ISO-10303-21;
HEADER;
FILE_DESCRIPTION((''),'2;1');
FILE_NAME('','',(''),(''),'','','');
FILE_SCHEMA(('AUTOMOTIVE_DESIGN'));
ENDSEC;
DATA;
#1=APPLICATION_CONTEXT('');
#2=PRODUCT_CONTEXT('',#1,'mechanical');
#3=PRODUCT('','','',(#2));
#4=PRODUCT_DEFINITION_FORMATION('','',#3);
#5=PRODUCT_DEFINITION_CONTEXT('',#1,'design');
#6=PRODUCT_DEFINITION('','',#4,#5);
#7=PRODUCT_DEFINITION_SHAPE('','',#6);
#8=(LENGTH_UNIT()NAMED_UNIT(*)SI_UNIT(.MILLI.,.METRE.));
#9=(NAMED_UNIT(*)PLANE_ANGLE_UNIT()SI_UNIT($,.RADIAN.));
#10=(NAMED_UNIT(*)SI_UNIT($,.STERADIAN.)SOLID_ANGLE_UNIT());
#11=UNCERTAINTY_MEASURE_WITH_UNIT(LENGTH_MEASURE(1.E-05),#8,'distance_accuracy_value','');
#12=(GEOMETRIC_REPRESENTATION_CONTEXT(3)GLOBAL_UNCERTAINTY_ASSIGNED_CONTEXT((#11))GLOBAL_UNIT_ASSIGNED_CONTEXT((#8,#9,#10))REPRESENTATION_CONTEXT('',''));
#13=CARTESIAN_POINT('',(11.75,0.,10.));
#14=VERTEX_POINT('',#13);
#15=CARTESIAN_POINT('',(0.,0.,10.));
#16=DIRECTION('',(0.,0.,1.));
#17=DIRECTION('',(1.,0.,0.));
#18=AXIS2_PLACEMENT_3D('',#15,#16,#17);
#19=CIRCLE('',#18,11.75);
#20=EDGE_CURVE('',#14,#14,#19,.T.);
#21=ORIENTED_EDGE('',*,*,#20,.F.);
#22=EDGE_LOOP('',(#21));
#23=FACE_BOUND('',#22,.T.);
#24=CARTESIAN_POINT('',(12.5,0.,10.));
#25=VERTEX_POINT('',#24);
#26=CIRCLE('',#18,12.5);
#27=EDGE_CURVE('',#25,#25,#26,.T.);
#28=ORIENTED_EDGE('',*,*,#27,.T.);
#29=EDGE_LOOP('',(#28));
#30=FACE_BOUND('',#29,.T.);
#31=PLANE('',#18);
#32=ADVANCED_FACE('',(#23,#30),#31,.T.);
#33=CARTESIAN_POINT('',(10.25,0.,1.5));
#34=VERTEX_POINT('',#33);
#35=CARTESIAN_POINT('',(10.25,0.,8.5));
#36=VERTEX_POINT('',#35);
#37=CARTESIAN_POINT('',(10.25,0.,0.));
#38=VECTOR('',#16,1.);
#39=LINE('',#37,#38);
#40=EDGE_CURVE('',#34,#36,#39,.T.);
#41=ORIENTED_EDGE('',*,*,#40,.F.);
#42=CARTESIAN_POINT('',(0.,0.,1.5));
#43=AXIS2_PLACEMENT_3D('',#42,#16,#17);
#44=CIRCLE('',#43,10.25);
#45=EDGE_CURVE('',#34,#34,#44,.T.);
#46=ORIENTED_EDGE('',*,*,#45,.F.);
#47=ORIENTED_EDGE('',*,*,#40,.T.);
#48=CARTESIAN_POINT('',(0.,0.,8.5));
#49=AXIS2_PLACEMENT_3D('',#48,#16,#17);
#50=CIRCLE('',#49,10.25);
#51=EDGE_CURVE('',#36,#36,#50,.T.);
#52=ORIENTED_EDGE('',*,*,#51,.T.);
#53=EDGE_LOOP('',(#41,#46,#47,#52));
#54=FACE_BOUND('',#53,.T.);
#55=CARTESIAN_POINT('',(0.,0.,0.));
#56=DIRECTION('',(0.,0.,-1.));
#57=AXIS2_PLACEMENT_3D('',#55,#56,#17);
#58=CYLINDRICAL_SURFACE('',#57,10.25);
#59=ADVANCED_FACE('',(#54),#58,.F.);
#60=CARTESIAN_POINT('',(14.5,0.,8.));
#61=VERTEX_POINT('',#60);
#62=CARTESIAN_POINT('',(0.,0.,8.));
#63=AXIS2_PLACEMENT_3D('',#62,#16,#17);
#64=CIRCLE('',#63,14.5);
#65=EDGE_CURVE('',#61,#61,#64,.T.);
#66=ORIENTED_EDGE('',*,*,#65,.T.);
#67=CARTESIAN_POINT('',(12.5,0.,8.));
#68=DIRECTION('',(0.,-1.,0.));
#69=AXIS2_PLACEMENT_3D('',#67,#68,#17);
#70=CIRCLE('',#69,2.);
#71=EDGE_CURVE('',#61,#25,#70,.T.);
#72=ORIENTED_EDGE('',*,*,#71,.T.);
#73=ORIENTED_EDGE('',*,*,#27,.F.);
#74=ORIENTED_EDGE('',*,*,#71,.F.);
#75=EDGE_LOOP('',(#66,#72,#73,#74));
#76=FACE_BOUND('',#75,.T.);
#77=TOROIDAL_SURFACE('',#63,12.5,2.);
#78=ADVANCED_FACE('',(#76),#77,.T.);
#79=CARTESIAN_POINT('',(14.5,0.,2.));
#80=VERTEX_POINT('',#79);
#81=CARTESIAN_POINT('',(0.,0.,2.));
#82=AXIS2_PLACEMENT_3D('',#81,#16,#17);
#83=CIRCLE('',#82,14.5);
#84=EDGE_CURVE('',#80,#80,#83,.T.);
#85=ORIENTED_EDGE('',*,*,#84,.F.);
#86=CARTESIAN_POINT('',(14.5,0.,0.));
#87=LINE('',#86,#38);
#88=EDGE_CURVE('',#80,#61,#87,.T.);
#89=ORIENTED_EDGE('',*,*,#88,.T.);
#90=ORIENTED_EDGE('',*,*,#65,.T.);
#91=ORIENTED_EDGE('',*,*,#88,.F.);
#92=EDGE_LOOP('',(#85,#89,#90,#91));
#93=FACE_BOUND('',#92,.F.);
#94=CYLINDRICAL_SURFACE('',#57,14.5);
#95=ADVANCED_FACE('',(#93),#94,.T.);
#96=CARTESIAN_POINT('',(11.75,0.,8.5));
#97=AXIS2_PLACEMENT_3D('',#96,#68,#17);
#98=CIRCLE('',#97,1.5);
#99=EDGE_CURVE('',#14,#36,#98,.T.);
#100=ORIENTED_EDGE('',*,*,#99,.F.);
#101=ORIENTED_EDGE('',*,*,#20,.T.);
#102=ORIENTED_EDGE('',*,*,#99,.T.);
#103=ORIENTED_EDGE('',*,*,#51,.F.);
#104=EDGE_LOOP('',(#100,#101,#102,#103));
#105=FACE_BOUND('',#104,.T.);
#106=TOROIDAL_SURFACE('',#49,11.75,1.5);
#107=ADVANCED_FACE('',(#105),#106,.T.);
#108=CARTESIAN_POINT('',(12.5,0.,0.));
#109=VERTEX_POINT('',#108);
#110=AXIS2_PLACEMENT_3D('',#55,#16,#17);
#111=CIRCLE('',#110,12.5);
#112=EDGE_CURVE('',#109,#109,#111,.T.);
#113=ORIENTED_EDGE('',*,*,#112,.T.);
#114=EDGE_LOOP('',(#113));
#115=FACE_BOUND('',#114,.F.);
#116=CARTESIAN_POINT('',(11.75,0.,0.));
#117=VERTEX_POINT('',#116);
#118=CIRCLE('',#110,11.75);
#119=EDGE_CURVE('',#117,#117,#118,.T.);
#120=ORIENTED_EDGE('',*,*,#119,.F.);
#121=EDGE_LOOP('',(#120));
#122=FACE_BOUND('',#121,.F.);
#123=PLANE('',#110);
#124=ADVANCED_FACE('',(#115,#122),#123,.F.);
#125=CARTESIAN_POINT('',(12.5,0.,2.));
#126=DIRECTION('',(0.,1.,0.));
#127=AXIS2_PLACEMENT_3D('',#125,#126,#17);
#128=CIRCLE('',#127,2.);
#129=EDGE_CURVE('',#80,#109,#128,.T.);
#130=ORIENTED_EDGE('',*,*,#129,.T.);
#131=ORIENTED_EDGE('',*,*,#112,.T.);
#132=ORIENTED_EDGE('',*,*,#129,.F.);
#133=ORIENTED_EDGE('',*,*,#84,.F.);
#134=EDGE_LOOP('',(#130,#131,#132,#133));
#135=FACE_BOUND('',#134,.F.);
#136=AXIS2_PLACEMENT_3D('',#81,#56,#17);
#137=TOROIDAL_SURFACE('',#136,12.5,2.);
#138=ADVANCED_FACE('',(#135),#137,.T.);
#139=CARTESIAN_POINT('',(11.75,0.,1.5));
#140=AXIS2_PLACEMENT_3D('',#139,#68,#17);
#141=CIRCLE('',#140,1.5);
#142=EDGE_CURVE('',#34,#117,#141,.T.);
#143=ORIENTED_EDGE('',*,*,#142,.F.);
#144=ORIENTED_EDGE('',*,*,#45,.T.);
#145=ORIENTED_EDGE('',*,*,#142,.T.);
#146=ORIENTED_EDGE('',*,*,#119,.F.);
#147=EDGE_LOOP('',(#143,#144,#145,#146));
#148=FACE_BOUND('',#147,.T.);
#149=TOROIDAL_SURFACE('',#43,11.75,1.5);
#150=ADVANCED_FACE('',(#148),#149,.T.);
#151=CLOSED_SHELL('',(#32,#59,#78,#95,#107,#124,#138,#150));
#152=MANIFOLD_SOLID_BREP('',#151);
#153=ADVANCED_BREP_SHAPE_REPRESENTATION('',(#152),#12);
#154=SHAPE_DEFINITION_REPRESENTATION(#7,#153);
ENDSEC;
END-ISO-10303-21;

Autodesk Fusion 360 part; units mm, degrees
sketch "Esboço1" plane through (0, 0, 0) normal (0, 0, 1) x (1, 0, 0)
  circle A0 centre (0, 0) radius 10.25
  circle A1 centre (0, 0) radius 14.5
  dimension "d1" = 20.5
  dimension "d2" = 4.25
extrude "Extrusão1" add sketch "Esboço1" along normal blind 10
fillet "Arredondamento1" radius 2 1 edges at (-13.5187, -5.2434, 10)
fillet "Arredondamento2" radius 2 1 edges at (-13.5187, -5.2434, 0)
fillet "Arredondamento3" radius 1.5 1 edges at (-9.5564, 3.7066, 10)
fillet "Arredondamento4" radius 1.5 1 edges at (-9.5564, 3.7066, 0)
